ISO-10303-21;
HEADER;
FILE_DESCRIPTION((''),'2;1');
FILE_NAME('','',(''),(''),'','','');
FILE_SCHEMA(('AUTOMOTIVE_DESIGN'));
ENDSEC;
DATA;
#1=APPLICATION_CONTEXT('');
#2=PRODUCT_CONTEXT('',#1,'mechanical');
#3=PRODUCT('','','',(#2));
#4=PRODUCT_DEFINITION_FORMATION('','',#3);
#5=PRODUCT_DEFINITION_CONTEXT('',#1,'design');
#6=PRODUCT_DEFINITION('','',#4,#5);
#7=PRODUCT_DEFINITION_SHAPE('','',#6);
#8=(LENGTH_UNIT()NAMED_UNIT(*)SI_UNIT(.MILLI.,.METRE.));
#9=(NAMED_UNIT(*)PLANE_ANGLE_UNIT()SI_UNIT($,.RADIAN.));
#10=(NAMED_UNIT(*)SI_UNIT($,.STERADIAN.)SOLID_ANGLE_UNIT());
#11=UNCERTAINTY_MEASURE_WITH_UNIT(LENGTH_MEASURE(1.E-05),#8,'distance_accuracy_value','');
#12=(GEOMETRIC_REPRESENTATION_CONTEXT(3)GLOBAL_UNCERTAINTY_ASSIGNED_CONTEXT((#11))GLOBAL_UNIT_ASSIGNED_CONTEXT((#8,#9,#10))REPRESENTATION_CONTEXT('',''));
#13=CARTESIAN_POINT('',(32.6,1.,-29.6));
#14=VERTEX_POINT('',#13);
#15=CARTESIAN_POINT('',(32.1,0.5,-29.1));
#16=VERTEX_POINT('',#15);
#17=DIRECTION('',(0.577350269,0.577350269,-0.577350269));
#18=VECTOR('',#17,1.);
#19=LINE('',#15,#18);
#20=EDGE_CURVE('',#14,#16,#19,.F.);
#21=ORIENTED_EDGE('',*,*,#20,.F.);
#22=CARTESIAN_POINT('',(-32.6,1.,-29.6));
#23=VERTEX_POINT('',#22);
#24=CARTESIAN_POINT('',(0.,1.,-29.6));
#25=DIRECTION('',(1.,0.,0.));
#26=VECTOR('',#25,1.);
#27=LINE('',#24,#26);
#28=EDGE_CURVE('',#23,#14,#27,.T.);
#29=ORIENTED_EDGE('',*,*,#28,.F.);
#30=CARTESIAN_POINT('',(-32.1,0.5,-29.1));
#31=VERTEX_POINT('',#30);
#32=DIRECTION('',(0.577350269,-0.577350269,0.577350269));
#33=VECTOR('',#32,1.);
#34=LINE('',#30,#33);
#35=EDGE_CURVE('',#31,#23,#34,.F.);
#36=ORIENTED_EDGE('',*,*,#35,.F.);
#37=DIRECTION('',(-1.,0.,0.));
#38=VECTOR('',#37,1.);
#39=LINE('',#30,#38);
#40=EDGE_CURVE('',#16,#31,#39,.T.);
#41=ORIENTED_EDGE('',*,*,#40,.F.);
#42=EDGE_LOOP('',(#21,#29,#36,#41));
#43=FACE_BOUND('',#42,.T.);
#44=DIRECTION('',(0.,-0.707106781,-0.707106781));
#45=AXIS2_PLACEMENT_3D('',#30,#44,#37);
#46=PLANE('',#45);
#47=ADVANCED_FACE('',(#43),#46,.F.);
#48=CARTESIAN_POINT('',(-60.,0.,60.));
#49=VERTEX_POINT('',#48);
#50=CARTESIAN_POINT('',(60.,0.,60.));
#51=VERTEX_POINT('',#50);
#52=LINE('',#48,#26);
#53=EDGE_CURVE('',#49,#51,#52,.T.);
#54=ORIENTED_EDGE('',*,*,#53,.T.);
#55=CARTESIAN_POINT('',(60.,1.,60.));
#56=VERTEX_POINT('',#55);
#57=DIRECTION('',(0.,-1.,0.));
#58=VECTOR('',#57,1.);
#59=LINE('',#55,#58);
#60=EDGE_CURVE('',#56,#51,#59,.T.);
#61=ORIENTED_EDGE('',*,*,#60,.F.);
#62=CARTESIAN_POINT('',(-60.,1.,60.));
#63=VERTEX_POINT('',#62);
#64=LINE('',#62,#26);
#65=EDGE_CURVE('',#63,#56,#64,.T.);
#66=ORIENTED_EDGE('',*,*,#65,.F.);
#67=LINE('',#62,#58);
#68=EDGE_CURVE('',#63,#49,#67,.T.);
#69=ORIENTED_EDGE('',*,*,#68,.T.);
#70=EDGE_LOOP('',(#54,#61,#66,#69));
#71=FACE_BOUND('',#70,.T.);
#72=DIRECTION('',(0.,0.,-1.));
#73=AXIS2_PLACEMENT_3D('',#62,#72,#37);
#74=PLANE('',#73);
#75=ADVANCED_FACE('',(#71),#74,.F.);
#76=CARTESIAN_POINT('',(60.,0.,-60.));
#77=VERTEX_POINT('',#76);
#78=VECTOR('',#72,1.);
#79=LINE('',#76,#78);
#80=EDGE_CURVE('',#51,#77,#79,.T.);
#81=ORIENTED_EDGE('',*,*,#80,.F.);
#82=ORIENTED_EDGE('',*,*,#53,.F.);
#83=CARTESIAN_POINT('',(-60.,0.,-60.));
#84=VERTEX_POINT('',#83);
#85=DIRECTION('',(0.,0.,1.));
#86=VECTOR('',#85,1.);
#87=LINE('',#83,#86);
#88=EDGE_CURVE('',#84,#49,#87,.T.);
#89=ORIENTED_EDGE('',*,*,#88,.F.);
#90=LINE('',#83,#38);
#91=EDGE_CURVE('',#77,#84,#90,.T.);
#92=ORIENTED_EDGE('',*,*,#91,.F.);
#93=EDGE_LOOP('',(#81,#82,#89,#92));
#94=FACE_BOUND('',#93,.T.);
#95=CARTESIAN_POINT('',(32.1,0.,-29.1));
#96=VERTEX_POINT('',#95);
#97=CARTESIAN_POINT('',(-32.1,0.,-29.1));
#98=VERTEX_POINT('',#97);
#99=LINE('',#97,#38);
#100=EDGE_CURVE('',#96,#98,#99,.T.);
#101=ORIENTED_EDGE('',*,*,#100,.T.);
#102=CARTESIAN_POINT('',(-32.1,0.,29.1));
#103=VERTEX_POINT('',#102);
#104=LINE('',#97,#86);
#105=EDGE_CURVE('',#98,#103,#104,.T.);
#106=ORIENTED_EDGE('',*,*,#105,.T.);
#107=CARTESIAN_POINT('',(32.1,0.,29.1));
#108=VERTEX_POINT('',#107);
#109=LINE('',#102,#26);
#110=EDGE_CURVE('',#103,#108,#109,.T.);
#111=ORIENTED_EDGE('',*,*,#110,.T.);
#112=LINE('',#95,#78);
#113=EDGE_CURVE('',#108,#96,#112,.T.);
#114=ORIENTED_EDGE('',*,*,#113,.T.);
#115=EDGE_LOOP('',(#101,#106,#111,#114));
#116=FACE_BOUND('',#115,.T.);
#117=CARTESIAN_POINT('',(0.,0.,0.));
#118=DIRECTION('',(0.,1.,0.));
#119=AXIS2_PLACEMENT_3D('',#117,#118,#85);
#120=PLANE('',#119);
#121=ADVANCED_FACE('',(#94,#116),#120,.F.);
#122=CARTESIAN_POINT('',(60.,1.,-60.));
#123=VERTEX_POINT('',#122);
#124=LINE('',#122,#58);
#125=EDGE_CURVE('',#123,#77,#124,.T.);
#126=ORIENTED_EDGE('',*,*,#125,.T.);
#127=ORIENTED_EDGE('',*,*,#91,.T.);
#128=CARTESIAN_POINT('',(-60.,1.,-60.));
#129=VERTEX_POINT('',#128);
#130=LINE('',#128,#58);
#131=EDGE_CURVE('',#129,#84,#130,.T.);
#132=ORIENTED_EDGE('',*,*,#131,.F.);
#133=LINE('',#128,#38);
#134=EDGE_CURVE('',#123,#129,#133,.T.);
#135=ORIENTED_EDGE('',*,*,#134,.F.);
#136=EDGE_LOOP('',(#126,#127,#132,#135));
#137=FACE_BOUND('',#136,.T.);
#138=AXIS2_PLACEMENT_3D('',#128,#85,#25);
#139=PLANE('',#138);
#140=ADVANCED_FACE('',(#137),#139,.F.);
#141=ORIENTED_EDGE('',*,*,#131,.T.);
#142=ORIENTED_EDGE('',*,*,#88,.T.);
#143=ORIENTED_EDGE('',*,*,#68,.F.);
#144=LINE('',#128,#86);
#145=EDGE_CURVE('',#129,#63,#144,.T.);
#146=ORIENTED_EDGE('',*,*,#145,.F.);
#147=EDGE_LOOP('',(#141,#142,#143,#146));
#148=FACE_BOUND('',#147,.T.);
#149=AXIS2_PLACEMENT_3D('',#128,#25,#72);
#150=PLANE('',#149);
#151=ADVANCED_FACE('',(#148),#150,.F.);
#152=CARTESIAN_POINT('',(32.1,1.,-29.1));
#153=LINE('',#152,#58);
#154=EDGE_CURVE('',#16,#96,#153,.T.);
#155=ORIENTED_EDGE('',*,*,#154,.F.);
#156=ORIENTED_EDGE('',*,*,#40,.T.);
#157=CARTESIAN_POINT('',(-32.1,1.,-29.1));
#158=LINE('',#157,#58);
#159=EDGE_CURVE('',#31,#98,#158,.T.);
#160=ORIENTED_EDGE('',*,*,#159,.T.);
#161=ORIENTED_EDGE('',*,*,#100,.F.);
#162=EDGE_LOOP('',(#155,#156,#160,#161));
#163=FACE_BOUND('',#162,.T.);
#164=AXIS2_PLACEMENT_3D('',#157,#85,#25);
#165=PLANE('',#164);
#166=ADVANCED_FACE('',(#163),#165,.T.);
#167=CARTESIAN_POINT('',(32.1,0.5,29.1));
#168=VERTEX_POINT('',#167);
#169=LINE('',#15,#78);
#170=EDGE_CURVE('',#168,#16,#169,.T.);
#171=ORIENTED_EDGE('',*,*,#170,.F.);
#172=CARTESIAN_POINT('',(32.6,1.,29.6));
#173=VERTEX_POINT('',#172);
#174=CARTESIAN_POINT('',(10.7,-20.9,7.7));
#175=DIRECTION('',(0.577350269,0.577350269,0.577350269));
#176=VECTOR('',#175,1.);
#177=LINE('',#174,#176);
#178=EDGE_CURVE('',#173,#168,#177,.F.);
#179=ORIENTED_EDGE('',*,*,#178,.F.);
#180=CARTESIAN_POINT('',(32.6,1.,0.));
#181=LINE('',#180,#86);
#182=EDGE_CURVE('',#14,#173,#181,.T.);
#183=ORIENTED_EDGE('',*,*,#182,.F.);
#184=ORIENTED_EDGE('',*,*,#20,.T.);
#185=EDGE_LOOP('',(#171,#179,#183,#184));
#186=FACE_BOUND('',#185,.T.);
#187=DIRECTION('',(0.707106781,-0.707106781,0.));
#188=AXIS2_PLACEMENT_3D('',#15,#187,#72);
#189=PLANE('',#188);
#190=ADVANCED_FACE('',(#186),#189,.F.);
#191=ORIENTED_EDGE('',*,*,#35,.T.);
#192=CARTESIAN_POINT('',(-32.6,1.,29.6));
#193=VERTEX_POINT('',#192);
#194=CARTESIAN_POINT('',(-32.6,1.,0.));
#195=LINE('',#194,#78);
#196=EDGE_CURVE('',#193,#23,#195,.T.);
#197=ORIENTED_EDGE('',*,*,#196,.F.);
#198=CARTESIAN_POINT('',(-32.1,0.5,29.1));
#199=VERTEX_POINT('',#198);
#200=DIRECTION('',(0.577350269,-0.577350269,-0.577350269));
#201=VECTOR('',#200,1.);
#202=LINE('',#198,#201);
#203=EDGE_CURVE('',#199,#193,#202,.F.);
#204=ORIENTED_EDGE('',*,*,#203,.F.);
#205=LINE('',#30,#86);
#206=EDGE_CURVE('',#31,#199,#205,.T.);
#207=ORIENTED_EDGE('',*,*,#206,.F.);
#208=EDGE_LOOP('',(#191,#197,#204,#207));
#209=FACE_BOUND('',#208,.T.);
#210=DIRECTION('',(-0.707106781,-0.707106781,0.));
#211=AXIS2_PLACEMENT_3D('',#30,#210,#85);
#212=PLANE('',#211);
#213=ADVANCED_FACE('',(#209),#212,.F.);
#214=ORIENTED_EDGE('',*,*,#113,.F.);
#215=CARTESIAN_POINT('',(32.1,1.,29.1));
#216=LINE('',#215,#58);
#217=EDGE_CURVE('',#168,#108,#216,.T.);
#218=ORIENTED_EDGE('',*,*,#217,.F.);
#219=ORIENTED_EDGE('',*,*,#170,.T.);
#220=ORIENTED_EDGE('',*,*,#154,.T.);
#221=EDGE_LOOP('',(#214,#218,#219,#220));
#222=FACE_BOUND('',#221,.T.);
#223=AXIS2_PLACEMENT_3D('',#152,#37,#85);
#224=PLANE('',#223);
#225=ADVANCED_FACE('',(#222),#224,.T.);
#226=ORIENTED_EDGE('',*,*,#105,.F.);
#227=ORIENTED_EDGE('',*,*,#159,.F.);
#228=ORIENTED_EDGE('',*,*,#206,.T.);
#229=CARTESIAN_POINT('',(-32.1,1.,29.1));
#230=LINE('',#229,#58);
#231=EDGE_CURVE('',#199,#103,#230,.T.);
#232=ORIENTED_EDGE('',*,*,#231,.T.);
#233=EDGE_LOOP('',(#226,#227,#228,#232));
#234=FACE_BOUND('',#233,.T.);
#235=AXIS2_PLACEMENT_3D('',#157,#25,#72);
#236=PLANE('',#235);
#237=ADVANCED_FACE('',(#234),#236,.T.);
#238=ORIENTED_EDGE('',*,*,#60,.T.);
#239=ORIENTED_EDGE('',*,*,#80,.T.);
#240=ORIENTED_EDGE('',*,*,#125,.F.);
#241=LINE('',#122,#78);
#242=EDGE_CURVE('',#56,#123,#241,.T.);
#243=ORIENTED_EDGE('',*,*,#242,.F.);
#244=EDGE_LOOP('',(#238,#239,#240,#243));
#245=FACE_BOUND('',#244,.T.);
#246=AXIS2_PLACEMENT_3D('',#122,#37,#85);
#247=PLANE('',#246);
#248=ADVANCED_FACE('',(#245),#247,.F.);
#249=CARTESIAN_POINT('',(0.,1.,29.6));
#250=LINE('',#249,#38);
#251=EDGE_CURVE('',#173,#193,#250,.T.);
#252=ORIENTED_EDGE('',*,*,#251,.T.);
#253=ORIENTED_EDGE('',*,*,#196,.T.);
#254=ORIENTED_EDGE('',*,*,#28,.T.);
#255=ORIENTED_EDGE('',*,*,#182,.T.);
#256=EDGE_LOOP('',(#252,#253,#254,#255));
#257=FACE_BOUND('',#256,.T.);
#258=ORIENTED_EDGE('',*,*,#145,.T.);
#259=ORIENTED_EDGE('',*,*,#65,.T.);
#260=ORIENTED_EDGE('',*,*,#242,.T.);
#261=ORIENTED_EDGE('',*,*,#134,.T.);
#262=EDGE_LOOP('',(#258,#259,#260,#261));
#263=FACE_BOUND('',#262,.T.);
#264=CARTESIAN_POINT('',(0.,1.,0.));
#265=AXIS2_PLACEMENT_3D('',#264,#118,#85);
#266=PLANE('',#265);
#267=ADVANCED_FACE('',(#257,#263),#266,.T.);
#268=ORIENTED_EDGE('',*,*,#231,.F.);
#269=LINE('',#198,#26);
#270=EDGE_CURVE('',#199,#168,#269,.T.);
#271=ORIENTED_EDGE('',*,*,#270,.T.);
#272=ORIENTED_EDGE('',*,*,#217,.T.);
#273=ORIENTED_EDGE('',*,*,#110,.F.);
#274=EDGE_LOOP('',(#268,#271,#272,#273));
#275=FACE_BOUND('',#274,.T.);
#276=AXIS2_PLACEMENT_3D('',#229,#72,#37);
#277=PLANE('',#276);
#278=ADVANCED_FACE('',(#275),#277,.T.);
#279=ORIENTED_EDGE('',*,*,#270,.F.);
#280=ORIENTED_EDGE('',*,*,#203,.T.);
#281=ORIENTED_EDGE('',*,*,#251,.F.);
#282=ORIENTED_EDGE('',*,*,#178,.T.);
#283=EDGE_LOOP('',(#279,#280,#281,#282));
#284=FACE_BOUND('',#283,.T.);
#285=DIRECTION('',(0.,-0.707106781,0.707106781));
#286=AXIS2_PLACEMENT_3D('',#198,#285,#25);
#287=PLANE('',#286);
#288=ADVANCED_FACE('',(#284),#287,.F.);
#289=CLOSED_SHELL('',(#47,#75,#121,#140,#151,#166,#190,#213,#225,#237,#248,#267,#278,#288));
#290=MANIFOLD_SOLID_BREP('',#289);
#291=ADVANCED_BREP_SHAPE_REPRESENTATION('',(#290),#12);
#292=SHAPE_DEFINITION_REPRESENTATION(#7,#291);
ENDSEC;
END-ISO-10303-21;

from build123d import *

# Parameters (mm, degrees)
SKETCH1_W           = 120
SKETCH1_H           = 120
SKETCH1_W_2         = 64.2
SKETCH1_H_2         = 58.2
BOSS_EXTRUDE1_DEPTH = 1
CHAMFER1_SIZE       = 0.5


with BuildPart() as part:
    # Sketch1 → Boss-Extrude1 (new body)
    with BuildSketch(Plane(origin=(0, 0, 0), x_dir=(1, 0, 0), z_dir=(0, 1, 0))):
        Rectangle(SKETCH1_W, SKETCH1_H)
        Rectangle(SKETCH1_W_2, SKETCH1_H_2, mode=Mode.SUBTRACT)
    extrude(amount=BOSS_EXTRUDE1_DEPTH)

    # Chamfer1
    chamfer1_edges = [part.edges().sort_by_distance(p)[0] for p in [
        (32.1, 1, 0),
        (0, 1, -29.1),
        (-32.1, 1, 0),
        (0, 1, 29.1),
    ]]
    chamfer(chamfer1_edges, length=CHAMFER1_SIZE)


solid = part.part
